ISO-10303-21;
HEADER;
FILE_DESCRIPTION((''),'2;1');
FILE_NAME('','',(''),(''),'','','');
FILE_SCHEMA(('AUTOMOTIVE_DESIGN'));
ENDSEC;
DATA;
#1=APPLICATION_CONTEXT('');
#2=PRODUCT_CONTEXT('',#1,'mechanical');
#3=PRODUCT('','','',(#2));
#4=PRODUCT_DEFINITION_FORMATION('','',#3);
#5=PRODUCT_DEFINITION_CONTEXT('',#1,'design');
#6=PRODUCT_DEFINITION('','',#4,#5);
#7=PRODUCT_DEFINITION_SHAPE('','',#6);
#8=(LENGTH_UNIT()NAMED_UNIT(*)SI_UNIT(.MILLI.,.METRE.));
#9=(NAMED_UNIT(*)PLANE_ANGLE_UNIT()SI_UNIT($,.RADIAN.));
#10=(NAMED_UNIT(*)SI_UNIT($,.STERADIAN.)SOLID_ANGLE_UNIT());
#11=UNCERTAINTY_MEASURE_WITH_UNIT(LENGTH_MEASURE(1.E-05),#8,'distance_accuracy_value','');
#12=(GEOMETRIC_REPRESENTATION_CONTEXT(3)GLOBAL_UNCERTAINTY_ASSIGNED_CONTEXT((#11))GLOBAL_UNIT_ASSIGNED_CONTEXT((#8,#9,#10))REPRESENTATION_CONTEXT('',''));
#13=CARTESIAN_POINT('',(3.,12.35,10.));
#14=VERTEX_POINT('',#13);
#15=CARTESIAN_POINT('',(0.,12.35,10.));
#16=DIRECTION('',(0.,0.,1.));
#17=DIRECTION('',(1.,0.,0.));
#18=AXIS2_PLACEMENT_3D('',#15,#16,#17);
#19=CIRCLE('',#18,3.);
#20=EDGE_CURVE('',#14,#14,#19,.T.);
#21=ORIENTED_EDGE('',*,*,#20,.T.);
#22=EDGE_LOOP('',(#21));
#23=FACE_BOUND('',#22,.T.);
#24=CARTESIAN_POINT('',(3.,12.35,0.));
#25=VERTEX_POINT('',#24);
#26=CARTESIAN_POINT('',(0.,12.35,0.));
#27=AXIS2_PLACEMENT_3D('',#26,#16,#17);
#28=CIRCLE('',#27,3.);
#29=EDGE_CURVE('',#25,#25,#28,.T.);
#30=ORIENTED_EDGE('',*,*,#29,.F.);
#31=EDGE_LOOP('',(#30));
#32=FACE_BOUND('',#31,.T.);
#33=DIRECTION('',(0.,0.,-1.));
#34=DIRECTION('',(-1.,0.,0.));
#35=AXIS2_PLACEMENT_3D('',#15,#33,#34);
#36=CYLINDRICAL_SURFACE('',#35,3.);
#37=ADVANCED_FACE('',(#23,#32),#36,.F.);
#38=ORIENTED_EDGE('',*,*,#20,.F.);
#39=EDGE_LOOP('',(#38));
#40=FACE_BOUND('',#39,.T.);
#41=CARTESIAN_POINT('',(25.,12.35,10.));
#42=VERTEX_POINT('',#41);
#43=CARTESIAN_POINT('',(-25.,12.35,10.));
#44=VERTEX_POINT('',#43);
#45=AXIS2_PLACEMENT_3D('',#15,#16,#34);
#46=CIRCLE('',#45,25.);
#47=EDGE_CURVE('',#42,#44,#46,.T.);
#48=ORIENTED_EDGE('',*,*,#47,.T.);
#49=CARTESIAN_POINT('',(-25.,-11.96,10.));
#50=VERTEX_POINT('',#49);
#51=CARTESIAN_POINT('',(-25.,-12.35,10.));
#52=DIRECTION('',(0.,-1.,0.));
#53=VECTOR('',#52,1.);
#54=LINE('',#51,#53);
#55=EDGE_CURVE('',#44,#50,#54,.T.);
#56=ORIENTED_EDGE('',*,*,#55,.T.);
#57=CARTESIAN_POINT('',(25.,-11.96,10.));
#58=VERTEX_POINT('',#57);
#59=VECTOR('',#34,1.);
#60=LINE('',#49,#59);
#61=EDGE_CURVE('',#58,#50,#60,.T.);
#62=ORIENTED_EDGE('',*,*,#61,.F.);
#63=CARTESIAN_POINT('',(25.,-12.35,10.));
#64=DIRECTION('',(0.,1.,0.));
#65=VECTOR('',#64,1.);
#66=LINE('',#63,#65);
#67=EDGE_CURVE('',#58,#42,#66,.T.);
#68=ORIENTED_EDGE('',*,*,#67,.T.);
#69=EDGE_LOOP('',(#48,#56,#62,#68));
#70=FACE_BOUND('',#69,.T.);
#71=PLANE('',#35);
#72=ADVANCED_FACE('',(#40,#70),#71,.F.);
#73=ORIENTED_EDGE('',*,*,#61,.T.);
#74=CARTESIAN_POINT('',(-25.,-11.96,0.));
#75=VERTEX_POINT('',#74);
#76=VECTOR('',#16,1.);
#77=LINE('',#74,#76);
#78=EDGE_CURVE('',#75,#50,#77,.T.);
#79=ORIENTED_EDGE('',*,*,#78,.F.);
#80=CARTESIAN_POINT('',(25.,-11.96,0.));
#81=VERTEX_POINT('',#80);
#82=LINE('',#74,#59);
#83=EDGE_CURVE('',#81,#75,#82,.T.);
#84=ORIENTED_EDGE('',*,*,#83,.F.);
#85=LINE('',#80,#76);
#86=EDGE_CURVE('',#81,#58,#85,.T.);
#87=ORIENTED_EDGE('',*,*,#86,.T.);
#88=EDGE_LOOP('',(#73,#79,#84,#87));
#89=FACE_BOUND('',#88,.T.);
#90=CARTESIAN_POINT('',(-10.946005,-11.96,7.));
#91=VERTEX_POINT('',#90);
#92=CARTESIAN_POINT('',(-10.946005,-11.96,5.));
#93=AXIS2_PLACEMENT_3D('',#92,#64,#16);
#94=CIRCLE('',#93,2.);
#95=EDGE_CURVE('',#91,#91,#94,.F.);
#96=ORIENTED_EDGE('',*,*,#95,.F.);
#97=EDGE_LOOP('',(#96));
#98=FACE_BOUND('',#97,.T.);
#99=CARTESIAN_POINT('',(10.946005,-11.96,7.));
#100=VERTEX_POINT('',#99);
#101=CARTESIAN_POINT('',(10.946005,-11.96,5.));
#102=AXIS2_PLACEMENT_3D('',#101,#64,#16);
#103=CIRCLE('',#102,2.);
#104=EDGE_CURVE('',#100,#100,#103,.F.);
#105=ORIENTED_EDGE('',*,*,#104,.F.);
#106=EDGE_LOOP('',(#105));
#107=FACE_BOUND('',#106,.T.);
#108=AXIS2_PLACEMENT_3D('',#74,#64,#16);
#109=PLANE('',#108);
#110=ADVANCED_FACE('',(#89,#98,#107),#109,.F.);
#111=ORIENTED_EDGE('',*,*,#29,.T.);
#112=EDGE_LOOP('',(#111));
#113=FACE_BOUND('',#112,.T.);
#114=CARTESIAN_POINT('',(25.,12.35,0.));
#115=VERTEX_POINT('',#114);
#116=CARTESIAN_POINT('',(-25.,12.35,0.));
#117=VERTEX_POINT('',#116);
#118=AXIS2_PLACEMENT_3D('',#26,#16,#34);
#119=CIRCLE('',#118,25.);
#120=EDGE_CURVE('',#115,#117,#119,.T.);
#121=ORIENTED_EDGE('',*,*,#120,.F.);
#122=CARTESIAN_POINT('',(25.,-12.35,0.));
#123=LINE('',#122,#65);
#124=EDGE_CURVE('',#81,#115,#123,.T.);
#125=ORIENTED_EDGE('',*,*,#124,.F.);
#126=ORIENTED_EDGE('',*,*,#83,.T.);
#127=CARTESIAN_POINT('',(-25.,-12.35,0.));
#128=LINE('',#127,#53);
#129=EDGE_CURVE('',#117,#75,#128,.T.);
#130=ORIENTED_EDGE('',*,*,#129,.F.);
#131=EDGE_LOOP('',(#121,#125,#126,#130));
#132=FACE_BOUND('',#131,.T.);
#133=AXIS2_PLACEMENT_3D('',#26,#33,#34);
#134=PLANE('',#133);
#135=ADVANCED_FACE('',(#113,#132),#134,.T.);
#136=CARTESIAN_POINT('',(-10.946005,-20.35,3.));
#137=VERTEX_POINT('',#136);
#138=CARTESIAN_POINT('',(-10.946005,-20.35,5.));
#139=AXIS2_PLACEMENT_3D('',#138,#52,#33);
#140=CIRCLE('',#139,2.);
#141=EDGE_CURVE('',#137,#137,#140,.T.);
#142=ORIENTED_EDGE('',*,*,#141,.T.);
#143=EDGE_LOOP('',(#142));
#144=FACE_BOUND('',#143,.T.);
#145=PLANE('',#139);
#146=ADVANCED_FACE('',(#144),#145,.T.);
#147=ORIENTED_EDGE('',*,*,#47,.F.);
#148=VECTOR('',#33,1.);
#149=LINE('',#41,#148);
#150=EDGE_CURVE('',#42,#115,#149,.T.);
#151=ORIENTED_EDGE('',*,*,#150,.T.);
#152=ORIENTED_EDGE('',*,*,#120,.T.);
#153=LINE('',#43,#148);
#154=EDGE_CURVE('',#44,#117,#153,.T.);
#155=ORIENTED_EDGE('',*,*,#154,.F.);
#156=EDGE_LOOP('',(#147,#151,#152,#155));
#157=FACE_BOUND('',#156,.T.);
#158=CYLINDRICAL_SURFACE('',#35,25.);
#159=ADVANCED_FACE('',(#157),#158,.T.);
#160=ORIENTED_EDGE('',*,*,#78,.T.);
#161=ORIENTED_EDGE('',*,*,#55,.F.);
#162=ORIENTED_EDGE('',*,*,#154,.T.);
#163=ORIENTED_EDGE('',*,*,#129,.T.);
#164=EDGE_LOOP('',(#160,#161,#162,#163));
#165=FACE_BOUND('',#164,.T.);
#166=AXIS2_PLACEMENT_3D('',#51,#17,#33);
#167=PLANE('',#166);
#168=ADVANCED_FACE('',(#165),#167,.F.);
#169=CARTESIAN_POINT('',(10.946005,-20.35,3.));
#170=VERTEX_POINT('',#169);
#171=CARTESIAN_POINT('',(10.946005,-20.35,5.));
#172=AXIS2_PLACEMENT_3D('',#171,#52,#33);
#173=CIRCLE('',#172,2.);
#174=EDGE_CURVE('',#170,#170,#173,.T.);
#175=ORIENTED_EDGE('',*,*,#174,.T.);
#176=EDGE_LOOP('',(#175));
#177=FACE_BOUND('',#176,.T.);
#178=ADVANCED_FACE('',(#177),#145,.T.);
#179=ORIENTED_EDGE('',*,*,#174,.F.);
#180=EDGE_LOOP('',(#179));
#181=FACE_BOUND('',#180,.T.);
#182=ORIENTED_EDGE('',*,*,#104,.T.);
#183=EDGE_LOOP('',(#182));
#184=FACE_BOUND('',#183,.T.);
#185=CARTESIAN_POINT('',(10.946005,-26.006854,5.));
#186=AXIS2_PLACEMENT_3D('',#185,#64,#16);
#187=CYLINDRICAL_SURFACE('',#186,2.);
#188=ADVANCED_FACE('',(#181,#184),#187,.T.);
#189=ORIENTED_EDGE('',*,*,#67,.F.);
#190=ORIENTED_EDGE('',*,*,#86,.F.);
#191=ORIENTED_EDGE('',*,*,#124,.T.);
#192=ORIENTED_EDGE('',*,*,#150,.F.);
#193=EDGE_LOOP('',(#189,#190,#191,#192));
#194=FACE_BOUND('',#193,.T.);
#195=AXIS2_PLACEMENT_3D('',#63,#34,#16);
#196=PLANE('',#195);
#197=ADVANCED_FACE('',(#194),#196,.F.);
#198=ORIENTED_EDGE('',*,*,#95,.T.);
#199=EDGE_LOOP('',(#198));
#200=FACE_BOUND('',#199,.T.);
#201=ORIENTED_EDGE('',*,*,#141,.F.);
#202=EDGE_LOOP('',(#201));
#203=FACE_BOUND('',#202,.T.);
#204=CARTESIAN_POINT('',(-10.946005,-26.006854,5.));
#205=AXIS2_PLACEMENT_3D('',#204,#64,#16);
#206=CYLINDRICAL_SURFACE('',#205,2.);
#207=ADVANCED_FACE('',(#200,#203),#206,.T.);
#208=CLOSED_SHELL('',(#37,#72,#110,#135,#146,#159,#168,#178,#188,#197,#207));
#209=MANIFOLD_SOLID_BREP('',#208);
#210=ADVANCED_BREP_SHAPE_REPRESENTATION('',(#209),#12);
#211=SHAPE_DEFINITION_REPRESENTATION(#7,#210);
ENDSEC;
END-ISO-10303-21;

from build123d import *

# Parameters (mm, degrees)
ESQUISSE1_R             = 3
BOSS_EXTRU_1_DEPTH      = 10
ESQUISSE2_R             = 2
BOSS_EXTRU_2_DEPTH      = 8
ESQUISSE6_W             = 50
ESQUISSE6_H             = 0.42
BOSS_EXTRU_4_DEPTH      = 10
ESQUISSE7_W             = 50
ESQUISSE7_H             = 0.81
ENL_V_MAT_EXTRU_3_DEPTH = 10
ESQUISSE8_R             = 2
BOSS_EXTRU_5_DEPTH      = 8.39


with BuildPart() as part:
    # Esquisse1 → Boss.-Extru.1 (new body)
    with BuildSketch(Plane.XY):
        with BuildLine():
            Line((-25, -12.35), (25, -12.35))
            Line((25, -12.35), (25, 12.35))
            ThreePointArc((25, 12.35), (0, 37.35), (-25, 12.35))
            Line((-25, 12.35), (-25, -12.35))
        make_face()
        with Locations((0, 12.35)):
            Circle(ESQUISSE1_R, mode=Mode.SUBTRACT)
    extrude(amount=BOSS_EXTRU_1_DEPTH)

    # Esquisse2 → Boss.-Extru.2 (add)
    with BuildSketch(Plane.XZ.offset(12.35)):
        with Locations(Location((-10.94600496, 5, 0), (0, 0, 90))):
            Circle(ESQUISSE2_R)
        with Locations(Location((10.94600496, 5, 0), (0, 0, 90))):
            Circle(ESQUISSE2_R)
    extrude(amount=BOSS_EXTRU_2_DEPTH)

    # Esquisse6 → Boss.-Extru.4 (add)
    with BuildSketch(Plane.XY.offset(10)):
        with Locations((0, -12.56)):
            Rectangle(ESQUISSE6_W, ESQUISSE6_H)
    extrude(amount=-BOSS_EXTRU_4_DEPTH)

    # Esquisse7 → Enlèv. mat.-Extru.3 (cut)
    with BuildSketch(Plane.XY.offset(10)):
        with Locations((0, -12.365)):
            Rectangle(ESQUISSE7_W, ESQUISSE7_H)
    extrude(amount=-ENL_V_MAT_EXTRU_3_DEPTH, mode=Mode.SUBTRACT)


with BuildPart() as enl_v_mat_extru_3_piece_1:
    # of the separate pieces the step leaves, piece 1, a body of its own (enl_v_mat_extru_3_pieces)
    add(part.part.solids().sort_by_distance((-25, 12.35, 0))[0])



with BuildPart() as enl_v_mat_extru_3_piece_2:
    # of the separate pieces the step leaves, piece 2, a body of its own (enl_v_mat_extru_3_pieces)
    add(part.part.solids().sort_by_distance((-10.94600496, -12.77, 7))[0])


with BuildPart() as enl_v_mat_extru_3_piece_3:
    # of the separate pieces the step leaves, piece 3, a body of its own (enl_v_mat_extru_3_pieces)
    add(part.part.solids().sort_by_distance((10.94600496, -12.77, 7))[0])


with BuildPart() as enl_v_mat_extru_3_piece_1_1:
    add(enl_v_mat_extru_3_piece_1.part)

    add(enl_v_mat_extru_3_piece_2.part)  # Boss.-Extru.5 merges Enlèv. mat.-Extru.3 piece 2

    add(enl_v_mat_extru_3_piece_3.part)  # Boss.-Extru.5 merges Enlèv. mat.-Extru.3 piece 3
    # Esquisse8 → Boss.-Extru.5 (add)
    with BuildSketch(Plane.XZ.offset(11.96)):
        with Locations(Location((-10.94600496, 5, 0), (0, 0, 90))):
            Circle(ESQUISSE8_R)
        with Locations(Location((10.94600496, 5, 0), (0, 0, 90))):
            Circle(ESQUISSE8_R)
    extrude(amount=BOSS_EXTRU_5_DEPTH)


solid = enl_v_mat_extru_3_piece_1_1.part
